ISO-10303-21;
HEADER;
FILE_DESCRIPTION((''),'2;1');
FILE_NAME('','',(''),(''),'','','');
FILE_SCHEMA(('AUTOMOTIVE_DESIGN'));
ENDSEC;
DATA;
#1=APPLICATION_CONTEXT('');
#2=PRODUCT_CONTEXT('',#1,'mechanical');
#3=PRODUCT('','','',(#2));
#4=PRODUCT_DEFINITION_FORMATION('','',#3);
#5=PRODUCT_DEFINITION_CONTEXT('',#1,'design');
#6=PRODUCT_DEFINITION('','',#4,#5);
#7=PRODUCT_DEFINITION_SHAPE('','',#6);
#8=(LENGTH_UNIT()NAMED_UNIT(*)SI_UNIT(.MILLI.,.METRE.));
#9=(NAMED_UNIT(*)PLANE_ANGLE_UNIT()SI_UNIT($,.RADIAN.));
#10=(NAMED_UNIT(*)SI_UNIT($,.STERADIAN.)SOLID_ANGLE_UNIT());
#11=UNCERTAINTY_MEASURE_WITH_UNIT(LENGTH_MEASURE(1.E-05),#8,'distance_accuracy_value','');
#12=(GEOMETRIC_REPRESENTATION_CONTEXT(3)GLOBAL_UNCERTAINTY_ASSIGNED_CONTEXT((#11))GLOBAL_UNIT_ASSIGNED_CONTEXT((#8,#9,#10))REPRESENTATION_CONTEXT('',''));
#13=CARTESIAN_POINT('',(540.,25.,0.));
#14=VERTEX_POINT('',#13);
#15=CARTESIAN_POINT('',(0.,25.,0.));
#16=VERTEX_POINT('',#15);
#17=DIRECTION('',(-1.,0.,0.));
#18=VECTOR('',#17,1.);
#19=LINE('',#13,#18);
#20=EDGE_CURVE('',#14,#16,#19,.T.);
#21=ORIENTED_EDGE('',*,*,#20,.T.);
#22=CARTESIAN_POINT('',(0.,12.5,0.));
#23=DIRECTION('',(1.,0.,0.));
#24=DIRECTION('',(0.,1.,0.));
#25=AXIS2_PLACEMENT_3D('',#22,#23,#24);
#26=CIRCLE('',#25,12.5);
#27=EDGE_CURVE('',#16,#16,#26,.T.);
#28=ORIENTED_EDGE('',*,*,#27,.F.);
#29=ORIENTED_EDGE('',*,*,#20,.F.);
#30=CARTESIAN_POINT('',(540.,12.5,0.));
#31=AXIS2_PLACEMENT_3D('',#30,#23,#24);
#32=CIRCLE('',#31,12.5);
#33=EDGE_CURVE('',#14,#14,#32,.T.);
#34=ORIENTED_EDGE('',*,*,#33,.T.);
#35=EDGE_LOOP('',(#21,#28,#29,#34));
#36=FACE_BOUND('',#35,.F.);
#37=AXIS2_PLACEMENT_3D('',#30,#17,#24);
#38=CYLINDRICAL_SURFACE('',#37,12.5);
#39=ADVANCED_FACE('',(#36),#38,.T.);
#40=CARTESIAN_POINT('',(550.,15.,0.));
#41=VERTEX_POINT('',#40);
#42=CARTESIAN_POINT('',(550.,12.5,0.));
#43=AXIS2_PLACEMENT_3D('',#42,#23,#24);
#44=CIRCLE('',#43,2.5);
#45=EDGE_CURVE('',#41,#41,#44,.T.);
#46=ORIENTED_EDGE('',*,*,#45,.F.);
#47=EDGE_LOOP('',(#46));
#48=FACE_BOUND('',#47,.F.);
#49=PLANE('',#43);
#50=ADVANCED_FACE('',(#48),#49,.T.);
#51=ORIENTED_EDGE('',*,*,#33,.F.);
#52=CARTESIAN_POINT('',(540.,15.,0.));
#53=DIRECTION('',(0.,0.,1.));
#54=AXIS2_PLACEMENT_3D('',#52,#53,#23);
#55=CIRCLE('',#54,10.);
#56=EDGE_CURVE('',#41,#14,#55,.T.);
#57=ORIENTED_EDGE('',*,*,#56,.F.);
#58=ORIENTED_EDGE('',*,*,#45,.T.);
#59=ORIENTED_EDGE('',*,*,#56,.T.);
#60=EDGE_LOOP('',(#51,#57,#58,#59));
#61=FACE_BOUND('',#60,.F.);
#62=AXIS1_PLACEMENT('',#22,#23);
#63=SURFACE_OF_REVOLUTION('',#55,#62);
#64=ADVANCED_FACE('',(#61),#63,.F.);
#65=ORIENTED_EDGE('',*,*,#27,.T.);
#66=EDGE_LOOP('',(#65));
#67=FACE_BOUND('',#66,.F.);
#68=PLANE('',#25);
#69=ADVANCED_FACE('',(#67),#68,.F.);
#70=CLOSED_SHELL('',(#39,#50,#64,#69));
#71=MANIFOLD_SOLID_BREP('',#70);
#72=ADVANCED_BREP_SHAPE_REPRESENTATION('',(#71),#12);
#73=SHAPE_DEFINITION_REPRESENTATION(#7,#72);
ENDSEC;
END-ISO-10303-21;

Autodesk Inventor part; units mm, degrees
ref_plane "YZ Plane" through (0, 0, 0) normal (1, 0, 0) x (0, 1, 0)
ref_plane "XZ Plane" through (0, 0, 0) normal (0, 1, 0) x (-1, 0, 0)
ref_plane "XY Plane" through (0, 0, 0) normal (0, 0, 1) x (1, 0, 0)
sketch "Esquisse1" plane through (0, 0, 0) normal (0, 0, 1) x (1, 0, 0)
  line L0 (0, 0) -> (540, 0)
  line L1 (550, 10) -> (550, 15)
  line L2 (540, 25) -> (0, 25)
  line L3 (0, 25) -> (0, 0)
  arc A0 (550, 15) -> (540, 25) centre (540, 15) ccw
  arc A1 (540, 0) -> (550, 10) centre (540, 10) ccw
  line L4 (0, 12.5) -> (550, 12.5)
  point P0 (550, 25)
  point P1 (550, 0)
  dimension "d0" = 550
  dimension "d1" = 25
  dimension "d2" = 10
revolve "Révolution1" add sketch "Esquisse1" angle 360 about axis through (0, 12.5, 0) along (1, 0, 0) contours L3 L2 A0 L1 L4
properties part number "LightsaberBasicBladeButBad"
